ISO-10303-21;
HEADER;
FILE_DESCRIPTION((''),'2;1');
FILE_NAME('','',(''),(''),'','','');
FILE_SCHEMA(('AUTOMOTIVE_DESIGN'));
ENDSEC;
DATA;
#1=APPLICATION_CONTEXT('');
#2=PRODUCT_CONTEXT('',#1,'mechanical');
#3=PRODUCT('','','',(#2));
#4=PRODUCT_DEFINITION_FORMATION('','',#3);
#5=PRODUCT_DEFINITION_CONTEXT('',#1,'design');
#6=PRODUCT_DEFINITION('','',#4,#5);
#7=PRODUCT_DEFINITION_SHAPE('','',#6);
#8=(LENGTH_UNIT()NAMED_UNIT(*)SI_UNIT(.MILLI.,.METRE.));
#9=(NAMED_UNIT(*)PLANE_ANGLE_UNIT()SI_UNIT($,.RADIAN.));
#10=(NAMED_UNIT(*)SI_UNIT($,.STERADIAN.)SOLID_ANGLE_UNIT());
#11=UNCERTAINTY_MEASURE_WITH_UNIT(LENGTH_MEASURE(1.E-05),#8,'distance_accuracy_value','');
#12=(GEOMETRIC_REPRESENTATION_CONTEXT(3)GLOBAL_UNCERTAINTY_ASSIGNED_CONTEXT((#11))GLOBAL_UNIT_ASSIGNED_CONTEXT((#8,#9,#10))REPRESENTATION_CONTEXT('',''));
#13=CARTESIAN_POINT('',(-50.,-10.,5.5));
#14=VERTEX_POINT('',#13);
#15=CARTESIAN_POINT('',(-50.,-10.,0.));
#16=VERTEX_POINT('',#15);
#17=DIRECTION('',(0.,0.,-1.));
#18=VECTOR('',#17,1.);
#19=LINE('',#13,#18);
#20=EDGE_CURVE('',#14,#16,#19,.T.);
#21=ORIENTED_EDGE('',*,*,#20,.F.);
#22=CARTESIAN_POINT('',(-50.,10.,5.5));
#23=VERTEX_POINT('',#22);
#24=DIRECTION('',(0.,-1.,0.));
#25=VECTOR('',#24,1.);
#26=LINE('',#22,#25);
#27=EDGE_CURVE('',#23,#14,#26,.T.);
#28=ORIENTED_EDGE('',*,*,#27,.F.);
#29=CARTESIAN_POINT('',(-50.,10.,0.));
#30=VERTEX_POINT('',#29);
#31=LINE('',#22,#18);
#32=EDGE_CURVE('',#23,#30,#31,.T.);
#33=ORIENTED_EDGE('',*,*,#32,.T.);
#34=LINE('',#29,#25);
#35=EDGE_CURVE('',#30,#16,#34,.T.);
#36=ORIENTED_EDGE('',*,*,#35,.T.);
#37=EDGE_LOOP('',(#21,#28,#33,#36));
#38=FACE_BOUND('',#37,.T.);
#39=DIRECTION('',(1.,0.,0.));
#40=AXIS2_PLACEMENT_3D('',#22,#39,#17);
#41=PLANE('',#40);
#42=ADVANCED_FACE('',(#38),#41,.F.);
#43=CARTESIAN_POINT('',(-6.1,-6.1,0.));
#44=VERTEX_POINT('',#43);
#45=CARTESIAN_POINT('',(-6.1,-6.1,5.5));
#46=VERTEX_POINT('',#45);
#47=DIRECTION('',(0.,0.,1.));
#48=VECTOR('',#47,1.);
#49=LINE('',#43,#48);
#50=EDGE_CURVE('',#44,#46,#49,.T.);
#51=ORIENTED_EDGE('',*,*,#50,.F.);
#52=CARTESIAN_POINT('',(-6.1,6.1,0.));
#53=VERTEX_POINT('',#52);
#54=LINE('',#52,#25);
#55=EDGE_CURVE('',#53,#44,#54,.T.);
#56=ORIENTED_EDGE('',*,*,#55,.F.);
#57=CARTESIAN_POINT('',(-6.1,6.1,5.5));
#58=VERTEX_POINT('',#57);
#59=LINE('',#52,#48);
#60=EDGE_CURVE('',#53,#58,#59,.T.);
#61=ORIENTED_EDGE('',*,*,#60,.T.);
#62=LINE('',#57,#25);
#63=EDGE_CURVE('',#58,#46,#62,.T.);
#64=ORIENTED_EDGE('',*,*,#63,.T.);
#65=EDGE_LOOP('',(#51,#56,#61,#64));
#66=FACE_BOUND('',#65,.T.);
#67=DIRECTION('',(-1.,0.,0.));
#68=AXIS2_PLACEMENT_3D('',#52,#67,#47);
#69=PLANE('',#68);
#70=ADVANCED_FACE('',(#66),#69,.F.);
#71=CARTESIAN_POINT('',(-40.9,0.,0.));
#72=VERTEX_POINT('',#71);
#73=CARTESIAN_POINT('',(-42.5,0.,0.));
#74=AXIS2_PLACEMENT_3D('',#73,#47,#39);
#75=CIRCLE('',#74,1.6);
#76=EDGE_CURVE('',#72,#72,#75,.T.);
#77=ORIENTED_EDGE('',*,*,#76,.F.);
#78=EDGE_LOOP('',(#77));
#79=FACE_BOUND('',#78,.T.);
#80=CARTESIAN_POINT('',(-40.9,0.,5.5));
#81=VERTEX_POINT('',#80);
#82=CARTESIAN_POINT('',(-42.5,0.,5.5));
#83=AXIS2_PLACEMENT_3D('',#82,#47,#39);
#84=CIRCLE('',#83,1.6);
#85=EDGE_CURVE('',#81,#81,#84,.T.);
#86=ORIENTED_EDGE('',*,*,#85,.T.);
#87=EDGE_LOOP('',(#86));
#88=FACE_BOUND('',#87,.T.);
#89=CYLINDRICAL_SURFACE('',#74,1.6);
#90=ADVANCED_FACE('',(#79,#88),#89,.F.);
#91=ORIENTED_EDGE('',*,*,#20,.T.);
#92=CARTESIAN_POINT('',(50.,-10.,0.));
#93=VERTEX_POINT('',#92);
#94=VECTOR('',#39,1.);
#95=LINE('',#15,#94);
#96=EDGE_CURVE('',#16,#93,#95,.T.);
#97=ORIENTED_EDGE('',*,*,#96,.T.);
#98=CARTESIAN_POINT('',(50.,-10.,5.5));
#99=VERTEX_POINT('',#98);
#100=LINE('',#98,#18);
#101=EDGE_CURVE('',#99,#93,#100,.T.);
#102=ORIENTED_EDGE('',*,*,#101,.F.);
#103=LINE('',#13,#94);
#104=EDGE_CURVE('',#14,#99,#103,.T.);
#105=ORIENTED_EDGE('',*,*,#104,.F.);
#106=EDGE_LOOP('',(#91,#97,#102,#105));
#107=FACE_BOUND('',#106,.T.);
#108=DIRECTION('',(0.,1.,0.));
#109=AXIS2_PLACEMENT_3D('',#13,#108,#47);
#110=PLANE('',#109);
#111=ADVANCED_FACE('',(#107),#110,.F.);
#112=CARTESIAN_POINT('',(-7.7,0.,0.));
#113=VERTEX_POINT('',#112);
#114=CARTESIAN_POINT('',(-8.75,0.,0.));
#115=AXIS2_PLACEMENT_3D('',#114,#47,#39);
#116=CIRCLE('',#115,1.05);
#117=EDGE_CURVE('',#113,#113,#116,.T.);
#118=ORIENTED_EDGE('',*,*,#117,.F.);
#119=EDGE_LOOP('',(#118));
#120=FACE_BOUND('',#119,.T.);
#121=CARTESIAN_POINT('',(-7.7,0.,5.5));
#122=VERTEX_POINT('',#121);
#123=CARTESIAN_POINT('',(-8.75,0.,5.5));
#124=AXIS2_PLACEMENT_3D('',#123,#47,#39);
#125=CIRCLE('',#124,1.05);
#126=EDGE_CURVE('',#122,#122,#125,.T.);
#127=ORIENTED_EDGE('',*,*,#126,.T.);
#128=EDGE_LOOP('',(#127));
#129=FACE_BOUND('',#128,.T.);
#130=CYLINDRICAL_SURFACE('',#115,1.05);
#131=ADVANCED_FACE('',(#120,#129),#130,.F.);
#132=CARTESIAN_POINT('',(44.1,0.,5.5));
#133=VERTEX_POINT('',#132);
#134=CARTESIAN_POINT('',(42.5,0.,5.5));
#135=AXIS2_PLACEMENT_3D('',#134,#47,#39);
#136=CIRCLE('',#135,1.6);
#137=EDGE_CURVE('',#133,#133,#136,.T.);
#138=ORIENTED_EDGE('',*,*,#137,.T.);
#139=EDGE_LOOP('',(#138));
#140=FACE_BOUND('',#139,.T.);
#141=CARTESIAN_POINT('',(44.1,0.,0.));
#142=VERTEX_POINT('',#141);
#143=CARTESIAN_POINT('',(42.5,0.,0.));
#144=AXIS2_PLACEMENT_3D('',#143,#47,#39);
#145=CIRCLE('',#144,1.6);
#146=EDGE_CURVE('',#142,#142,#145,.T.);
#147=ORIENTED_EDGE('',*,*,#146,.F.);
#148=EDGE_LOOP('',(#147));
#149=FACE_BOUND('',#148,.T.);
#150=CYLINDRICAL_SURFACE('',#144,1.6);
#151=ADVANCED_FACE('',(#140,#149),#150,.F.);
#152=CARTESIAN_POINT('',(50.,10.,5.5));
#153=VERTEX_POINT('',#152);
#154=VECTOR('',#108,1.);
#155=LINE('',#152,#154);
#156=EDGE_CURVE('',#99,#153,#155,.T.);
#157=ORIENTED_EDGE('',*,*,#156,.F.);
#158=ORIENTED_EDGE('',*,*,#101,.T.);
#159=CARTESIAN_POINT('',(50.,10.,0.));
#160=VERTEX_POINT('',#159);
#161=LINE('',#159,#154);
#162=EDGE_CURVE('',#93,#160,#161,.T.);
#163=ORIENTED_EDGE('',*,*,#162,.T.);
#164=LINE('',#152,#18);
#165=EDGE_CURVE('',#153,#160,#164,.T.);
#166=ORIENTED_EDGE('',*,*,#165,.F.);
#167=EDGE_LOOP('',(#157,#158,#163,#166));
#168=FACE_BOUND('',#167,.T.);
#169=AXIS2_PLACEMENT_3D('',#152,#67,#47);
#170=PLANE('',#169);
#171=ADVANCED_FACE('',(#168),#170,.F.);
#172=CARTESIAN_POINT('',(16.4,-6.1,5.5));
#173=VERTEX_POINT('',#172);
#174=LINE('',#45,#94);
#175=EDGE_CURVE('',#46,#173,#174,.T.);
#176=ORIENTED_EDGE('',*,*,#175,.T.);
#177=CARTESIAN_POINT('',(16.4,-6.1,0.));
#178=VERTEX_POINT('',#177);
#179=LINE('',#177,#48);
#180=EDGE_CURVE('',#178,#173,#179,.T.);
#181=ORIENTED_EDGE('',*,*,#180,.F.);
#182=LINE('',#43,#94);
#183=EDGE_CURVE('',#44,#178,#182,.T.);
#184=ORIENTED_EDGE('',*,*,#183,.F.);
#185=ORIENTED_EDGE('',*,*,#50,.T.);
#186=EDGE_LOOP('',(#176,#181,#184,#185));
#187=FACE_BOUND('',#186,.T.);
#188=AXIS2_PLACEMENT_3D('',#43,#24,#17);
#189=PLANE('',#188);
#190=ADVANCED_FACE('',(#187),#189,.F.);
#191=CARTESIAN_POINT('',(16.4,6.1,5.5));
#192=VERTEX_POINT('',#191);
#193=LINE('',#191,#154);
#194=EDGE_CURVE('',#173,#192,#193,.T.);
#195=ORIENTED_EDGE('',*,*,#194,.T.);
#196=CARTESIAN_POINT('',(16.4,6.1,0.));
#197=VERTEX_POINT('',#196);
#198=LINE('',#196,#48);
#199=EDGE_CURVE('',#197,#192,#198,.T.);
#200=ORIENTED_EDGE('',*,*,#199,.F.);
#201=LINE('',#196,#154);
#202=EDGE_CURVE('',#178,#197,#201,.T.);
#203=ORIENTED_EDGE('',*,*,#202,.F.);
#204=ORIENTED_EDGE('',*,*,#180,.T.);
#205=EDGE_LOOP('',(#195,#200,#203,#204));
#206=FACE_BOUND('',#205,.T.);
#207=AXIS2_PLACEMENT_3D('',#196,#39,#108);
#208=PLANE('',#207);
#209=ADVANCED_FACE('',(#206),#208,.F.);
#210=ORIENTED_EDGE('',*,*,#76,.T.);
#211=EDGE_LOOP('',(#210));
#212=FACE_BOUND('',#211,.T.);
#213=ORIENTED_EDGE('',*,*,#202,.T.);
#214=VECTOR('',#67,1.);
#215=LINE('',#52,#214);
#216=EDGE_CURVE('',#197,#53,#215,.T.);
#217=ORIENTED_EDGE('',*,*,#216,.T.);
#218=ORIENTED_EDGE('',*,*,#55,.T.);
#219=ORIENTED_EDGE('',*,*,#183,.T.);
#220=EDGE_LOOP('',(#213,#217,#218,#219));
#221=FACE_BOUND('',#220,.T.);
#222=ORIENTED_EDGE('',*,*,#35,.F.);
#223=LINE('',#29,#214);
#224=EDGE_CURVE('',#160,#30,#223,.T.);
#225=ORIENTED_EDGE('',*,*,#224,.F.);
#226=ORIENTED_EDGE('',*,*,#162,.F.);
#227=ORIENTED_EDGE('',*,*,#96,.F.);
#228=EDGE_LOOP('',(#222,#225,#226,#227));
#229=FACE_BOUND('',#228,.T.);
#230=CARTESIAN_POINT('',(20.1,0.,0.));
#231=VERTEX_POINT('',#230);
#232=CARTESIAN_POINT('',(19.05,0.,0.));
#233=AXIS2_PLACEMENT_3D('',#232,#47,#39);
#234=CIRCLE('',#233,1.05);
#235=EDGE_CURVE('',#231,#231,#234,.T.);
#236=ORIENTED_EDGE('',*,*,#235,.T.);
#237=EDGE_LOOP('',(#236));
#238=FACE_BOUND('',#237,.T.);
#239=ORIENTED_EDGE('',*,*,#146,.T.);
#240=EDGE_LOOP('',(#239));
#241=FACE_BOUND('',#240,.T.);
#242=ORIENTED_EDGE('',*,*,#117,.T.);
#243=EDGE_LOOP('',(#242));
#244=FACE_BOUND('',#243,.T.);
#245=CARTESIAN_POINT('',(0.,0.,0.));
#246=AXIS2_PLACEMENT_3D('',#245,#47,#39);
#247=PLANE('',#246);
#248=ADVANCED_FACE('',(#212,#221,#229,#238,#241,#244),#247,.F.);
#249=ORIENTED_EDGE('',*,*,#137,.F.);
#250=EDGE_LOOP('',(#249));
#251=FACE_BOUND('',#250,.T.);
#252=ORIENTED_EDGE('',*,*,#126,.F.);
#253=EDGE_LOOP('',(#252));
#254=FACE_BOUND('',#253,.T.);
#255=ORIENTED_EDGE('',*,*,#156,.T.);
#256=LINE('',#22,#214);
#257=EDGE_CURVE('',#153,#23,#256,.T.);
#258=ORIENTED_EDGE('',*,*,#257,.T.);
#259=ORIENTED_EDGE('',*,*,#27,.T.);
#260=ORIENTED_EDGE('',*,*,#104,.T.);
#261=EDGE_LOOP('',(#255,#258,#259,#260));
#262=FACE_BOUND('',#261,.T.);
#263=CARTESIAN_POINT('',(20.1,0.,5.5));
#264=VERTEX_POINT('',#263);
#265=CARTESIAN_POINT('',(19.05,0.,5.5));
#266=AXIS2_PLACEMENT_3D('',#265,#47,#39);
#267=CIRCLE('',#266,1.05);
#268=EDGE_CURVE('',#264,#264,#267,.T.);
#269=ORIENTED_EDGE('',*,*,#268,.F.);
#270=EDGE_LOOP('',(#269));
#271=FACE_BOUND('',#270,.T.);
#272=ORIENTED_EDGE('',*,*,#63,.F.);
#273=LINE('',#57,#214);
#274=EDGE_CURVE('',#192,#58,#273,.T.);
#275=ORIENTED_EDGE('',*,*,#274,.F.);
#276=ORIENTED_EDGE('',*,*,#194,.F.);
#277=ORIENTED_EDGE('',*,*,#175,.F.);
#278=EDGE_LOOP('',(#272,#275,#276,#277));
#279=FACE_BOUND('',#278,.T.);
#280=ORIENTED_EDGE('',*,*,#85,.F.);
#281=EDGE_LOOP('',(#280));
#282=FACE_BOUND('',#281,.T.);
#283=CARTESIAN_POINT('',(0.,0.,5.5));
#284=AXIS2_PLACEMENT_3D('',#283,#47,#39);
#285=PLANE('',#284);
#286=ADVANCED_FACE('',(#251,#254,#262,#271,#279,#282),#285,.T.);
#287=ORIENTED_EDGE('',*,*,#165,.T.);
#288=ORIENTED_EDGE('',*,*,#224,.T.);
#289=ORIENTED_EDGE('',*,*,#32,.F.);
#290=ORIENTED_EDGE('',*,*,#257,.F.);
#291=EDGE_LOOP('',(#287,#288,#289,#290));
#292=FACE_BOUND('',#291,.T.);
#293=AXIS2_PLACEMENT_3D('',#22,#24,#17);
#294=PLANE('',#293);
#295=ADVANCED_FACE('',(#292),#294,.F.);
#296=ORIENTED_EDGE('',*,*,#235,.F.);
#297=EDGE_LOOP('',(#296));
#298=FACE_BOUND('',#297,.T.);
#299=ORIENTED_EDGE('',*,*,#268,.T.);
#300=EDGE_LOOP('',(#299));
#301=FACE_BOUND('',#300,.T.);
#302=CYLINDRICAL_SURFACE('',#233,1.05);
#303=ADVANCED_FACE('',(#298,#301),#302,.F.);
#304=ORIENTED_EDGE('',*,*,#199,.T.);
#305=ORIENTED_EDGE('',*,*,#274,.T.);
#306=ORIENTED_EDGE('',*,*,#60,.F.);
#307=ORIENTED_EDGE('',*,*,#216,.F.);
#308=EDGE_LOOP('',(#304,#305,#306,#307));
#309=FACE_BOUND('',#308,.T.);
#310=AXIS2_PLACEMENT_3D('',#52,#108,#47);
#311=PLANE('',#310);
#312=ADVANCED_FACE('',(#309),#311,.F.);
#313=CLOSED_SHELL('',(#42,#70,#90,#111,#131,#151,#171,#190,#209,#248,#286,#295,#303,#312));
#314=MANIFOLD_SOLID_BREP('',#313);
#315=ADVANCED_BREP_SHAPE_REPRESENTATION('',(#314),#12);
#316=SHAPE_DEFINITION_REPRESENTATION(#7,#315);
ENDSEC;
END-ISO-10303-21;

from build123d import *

# Parameters (mm, degrees)
SKETCH_1_W          = 100
SKETCH_1_H          = 20
EXTRUDE_1_DEPTH     = 5.5
SKETCH_2_R          = 1.6
SKETCH_2_R_2        = 1.05
SKETCH_2_W          = 22.5
SKETCH_2_H          = 12.2
CUT_EXTRUDE_1_DEPTH = 52.285962992


with BuildPart() as part:
    # ｽｹｯﾁ1 → ﾎﾞｽ - 押し出し1 (new body)
    with BuildSketch(Plane.XY):
        Rectangle(SKETCH_1_W, SKETCH_1_H)
    extrude(amount=EXTRUDE_1_DEPTH)

    # ｽｹｯﾁ2 → ｶｯﾄ - 押し出し1 (cut, through all)
    with BuildSketch(Plane.XY.offset(5.5)):
        with Locations((-42.5, 0)):
            Circle(SKETCH_2_R)
        with Locations((42.5, 0)):
            Circle(SKETCH_2_R)
        with Locations((-8.75, 0)):
            Circle(SKETCH_2_R_2)
        with Locations((19.05, 0)):
            Circle(SKETCH_2_R_2)
        with Locations((5.15, 0)):
            Rectangle(SKETCH_2_W, SKETCH_2_H)
    extrude(amount=-CUT_EXTRUDE_1_DEPTH, mode=Mode.SUBTRACT)


solid = part.part
